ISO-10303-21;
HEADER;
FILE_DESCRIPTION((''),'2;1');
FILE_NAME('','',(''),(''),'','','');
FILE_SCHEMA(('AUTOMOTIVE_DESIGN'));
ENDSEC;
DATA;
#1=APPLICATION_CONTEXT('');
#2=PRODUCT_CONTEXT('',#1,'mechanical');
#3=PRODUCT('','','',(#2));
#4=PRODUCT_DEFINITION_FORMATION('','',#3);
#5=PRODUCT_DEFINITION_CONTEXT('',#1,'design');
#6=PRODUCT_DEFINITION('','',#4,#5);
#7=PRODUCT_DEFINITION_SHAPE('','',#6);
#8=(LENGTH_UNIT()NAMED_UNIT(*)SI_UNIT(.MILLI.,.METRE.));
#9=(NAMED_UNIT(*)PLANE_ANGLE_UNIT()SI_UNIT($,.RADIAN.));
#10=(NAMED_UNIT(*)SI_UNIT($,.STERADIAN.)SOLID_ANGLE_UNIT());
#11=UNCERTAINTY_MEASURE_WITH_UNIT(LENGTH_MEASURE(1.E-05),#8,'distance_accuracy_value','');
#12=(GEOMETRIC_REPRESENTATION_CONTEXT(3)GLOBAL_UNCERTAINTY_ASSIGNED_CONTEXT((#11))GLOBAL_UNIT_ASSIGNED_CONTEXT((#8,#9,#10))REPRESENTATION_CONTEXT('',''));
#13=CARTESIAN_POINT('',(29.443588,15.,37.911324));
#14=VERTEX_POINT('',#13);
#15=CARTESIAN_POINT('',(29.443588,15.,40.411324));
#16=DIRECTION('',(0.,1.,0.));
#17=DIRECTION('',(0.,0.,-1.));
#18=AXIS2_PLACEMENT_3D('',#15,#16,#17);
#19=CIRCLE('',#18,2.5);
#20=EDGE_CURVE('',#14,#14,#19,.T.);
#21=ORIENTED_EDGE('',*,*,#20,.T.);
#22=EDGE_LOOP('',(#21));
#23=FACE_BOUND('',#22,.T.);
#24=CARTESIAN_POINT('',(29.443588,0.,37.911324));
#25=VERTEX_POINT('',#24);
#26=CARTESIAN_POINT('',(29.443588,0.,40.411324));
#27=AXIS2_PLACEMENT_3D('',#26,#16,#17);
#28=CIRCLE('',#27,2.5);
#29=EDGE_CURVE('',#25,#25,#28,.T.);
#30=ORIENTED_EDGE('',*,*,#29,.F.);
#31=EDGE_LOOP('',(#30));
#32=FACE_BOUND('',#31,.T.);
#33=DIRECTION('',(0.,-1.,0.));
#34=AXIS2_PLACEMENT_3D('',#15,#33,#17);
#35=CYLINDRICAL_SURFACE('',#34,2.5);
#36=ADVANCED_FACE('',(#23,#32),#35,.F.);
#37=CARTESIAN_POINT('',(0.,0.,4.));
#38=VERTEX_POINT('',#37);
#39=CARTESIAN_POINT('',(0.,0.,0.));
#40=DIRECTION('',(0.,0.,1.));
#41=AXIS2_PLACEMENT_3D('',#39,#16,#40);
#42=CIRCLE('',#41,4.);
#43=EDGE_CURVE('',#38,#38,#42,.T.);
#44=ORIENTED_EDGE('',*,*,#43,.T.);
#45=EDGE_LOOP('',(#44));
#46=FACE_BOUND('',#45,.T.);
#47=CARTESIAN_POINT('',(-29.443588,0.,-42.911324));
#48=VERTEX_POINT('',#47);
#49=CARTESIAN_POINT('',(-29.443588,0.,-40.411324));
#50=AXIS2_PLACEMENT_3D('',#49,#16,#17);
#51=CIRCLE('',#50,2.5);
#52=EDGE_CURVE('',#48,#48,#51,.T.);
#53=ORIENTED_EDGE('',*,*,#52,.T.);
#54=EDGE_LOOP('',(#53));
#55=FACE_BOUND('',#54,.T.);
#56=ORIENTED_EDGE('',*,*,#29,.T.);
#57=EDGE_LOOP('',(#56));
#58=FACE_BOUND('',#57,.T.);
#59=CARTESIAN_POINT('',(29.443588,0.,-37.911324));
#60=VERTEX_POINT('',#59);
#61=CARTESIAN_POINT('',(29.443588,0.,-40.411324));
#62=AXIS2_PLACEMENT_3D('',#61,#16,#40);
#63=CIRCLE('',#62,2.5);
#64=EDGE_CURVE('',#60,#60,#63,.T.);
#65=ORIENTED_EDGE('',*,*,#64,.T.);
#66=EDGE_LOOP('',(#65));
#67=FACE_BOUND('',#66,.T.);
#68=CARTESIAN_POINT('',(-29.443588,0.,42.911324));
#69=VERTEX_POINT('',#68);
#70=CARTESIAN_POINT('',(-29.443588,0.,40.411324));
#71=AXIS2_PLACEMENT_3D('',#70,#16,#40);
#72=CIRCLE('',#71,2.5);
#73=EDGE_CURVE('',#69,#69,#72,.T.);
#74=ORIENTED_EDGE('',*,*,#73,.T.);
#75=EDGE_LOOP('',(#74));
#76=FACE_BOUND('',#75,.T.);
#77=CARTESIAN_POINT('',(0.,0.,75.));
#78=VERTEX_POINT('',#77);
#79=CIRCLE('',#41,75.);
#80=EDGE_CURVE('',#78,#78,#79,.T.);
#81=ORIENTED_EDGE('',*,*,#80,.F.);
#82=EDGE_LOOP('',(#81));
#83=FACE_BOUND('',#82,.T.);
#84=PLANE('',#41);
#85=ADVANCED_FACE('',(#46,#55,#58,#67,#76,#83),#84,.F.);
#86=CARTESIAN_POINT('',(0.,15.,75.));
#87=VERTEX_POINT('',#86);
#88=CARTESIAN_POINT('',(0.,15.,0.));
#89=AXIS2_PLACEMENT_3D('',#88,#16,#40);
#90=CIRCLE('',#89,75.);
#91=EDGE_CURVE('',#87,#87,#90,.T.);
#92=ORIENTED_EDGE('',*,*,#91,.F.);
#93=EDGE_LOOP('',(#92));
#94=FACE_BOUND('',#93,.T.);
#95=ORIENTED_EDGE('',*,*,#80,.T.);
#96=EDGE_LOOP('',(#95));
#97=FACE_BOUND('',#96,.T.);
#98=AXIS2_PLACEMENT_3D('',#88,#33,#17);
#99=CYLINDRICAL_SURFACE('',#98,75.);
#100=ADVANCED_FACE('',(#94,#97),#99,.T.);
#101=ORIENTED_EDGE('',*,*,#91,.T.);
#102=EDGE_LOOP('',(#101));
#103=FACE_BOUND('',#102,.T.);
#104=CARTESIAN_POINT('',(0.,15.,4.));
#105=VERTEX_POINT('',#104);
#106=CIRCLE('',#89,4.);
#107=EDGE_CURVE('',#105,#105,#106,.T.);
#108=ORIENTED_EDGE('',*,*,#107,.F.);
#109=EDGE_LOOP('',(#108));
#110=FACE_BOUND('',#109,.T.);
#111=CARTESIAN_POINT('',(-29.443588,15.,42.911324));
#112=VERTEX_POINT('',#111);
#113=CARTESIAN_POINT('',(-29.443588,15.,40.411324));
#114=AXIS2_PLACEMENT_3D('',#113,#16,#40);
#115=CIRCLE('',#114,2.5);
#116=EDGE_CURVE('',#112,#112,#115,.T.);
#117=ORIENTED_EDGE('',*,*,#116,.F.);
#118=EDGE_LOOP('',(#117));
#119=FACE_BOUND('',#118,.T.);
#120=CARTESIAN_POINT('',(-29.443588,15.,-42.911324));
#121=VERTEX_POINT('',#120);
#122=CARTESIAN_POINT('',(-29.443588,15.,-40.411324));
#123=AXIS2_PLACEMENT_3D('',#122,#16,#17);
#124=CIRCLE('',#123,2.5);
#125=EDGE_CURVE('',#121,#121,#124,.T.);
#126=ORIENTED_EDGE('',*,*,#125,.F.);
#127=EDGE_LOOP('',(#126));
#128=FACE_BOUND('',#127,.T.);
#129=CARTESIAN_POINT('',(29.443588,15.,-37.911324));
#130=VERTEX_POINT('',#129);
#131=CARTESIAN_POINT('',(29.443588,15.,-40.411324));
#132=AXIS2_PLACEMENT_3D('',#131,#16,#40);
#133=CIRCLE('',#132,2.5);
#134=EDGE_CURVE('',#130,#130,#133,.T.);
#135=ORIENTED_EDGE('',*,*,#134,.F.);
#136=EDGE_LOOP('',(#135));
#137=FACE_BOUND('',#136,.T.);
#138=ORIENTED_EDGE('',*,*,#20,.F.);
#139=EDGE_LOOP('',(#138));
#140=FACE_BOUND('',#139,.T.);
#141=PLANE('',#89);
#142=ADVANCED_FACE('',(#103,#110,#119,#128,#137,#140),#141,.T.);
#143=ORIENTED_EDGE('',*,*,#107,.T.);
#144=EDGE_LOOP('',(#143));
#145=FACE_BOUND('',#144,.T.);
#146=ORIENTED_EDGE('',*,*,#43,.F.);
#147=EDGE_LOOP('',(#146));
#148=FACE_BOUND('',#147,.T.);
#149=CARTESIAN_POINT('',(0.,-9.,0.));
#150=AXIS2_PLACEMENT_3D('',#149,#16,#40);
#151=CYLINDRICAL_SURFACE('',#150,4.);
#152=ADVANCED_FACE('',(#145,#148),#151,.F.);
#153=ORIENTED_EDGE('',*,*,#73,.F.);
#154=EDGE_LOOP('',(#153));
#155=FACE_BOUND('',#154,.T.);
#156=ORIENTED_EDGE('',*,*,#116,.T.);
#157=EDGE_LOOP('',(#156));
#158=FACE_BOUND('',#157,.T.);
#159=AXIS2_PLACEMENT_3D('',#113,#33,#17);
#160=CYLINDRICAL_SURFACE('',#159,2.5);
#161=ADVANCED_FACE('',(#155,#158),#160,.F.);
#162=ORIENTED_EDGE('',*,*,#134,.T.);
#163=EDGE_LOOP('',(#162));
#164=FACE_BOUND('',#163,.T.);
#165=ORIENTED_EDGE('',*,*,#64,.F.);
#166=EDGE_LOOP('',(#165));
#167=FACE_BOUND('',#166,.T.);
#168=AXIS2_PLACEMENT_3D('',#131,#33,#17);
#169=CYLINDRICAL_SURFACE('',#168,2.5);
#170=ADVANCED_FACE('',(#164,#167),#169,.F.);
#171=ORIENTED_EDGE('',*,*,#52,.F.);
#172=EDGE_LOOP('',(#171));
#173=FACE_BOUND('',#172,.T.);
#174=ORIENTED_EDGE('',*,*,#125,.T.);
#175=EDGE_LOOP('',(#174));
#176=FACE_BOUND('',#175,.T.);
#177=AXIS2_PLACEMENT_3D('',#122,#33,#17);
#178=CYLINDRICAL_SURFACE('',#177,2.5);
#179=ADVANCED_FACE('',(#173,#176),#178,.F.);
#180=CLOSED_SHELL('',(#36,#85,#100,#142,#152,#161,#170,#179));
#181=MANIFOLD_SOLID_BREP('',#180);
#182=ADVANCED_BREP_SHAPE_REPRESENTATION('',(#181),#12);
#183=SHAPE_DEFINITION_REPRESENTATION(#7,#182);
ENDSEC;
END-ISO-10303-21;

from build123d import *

# Parameters (mm, degrees)
SKETCH1_R           = 75
SKETCH1_R_2         = 2.5
BOSS_EXTRUDE1_DEPTH = 15
SKETCH2_R           = 4
CUT_EXTRUDE1_DEPTH  = 24


with BuildPart() as part:
    # Sketch1 → Boss-Extrude1 (new body)
    with BuildSketch(Plane(origin=(0, 0, 0), x_dir=(1, 0, 0), z_dir=(0, 1, 0))):
        with Locations(Location((0, 0, 0), (0, 0, 270))):
            Circle(SKETCH1_R)
        with Locations(Location((29.443587855, 40.411324331, 0), (0, 0, 270))):
            Circle(SKETCH1_R_2, mode=Mode.SUBTRACT)
        with Locations(Location((29.443587855, -40.411324331, 0), (0, 0, 90))):
            Circle(SKETCH1_R_2, mode=Mode.SUBTRACT)
        with Locations(Location((-29.443587855, -40.411324331, 0), (0, 0, 270))):
            Circle(SKETCH1_R_2, mode=Mode.SUBTRACT)
        with Locations(Location((-29.443587855, 40.411324331, 0), (0, 0, 90))):
            Circle(SKETCH1_R_2, mode=Mode.SUBTRACT)
    extrude(amount=BOSS_EXTRUDE1_DEPTH)

    # Sketch2 → Cut-Extrude1 (cut)
    with BuildSketch(Plane(origin=(0, 15, 0), x_dir=(1, 0, 0), z_dir=(0, 1, 0))):
        with Locations(Location((0, 0, 0), (0, 0, 270))):
            Circle(SKETCH2_R)
    extrude(amount=-CUT_EXTRUDE1_DEPTH, mode=Mode.SUBTRACT)


solid = part.part
